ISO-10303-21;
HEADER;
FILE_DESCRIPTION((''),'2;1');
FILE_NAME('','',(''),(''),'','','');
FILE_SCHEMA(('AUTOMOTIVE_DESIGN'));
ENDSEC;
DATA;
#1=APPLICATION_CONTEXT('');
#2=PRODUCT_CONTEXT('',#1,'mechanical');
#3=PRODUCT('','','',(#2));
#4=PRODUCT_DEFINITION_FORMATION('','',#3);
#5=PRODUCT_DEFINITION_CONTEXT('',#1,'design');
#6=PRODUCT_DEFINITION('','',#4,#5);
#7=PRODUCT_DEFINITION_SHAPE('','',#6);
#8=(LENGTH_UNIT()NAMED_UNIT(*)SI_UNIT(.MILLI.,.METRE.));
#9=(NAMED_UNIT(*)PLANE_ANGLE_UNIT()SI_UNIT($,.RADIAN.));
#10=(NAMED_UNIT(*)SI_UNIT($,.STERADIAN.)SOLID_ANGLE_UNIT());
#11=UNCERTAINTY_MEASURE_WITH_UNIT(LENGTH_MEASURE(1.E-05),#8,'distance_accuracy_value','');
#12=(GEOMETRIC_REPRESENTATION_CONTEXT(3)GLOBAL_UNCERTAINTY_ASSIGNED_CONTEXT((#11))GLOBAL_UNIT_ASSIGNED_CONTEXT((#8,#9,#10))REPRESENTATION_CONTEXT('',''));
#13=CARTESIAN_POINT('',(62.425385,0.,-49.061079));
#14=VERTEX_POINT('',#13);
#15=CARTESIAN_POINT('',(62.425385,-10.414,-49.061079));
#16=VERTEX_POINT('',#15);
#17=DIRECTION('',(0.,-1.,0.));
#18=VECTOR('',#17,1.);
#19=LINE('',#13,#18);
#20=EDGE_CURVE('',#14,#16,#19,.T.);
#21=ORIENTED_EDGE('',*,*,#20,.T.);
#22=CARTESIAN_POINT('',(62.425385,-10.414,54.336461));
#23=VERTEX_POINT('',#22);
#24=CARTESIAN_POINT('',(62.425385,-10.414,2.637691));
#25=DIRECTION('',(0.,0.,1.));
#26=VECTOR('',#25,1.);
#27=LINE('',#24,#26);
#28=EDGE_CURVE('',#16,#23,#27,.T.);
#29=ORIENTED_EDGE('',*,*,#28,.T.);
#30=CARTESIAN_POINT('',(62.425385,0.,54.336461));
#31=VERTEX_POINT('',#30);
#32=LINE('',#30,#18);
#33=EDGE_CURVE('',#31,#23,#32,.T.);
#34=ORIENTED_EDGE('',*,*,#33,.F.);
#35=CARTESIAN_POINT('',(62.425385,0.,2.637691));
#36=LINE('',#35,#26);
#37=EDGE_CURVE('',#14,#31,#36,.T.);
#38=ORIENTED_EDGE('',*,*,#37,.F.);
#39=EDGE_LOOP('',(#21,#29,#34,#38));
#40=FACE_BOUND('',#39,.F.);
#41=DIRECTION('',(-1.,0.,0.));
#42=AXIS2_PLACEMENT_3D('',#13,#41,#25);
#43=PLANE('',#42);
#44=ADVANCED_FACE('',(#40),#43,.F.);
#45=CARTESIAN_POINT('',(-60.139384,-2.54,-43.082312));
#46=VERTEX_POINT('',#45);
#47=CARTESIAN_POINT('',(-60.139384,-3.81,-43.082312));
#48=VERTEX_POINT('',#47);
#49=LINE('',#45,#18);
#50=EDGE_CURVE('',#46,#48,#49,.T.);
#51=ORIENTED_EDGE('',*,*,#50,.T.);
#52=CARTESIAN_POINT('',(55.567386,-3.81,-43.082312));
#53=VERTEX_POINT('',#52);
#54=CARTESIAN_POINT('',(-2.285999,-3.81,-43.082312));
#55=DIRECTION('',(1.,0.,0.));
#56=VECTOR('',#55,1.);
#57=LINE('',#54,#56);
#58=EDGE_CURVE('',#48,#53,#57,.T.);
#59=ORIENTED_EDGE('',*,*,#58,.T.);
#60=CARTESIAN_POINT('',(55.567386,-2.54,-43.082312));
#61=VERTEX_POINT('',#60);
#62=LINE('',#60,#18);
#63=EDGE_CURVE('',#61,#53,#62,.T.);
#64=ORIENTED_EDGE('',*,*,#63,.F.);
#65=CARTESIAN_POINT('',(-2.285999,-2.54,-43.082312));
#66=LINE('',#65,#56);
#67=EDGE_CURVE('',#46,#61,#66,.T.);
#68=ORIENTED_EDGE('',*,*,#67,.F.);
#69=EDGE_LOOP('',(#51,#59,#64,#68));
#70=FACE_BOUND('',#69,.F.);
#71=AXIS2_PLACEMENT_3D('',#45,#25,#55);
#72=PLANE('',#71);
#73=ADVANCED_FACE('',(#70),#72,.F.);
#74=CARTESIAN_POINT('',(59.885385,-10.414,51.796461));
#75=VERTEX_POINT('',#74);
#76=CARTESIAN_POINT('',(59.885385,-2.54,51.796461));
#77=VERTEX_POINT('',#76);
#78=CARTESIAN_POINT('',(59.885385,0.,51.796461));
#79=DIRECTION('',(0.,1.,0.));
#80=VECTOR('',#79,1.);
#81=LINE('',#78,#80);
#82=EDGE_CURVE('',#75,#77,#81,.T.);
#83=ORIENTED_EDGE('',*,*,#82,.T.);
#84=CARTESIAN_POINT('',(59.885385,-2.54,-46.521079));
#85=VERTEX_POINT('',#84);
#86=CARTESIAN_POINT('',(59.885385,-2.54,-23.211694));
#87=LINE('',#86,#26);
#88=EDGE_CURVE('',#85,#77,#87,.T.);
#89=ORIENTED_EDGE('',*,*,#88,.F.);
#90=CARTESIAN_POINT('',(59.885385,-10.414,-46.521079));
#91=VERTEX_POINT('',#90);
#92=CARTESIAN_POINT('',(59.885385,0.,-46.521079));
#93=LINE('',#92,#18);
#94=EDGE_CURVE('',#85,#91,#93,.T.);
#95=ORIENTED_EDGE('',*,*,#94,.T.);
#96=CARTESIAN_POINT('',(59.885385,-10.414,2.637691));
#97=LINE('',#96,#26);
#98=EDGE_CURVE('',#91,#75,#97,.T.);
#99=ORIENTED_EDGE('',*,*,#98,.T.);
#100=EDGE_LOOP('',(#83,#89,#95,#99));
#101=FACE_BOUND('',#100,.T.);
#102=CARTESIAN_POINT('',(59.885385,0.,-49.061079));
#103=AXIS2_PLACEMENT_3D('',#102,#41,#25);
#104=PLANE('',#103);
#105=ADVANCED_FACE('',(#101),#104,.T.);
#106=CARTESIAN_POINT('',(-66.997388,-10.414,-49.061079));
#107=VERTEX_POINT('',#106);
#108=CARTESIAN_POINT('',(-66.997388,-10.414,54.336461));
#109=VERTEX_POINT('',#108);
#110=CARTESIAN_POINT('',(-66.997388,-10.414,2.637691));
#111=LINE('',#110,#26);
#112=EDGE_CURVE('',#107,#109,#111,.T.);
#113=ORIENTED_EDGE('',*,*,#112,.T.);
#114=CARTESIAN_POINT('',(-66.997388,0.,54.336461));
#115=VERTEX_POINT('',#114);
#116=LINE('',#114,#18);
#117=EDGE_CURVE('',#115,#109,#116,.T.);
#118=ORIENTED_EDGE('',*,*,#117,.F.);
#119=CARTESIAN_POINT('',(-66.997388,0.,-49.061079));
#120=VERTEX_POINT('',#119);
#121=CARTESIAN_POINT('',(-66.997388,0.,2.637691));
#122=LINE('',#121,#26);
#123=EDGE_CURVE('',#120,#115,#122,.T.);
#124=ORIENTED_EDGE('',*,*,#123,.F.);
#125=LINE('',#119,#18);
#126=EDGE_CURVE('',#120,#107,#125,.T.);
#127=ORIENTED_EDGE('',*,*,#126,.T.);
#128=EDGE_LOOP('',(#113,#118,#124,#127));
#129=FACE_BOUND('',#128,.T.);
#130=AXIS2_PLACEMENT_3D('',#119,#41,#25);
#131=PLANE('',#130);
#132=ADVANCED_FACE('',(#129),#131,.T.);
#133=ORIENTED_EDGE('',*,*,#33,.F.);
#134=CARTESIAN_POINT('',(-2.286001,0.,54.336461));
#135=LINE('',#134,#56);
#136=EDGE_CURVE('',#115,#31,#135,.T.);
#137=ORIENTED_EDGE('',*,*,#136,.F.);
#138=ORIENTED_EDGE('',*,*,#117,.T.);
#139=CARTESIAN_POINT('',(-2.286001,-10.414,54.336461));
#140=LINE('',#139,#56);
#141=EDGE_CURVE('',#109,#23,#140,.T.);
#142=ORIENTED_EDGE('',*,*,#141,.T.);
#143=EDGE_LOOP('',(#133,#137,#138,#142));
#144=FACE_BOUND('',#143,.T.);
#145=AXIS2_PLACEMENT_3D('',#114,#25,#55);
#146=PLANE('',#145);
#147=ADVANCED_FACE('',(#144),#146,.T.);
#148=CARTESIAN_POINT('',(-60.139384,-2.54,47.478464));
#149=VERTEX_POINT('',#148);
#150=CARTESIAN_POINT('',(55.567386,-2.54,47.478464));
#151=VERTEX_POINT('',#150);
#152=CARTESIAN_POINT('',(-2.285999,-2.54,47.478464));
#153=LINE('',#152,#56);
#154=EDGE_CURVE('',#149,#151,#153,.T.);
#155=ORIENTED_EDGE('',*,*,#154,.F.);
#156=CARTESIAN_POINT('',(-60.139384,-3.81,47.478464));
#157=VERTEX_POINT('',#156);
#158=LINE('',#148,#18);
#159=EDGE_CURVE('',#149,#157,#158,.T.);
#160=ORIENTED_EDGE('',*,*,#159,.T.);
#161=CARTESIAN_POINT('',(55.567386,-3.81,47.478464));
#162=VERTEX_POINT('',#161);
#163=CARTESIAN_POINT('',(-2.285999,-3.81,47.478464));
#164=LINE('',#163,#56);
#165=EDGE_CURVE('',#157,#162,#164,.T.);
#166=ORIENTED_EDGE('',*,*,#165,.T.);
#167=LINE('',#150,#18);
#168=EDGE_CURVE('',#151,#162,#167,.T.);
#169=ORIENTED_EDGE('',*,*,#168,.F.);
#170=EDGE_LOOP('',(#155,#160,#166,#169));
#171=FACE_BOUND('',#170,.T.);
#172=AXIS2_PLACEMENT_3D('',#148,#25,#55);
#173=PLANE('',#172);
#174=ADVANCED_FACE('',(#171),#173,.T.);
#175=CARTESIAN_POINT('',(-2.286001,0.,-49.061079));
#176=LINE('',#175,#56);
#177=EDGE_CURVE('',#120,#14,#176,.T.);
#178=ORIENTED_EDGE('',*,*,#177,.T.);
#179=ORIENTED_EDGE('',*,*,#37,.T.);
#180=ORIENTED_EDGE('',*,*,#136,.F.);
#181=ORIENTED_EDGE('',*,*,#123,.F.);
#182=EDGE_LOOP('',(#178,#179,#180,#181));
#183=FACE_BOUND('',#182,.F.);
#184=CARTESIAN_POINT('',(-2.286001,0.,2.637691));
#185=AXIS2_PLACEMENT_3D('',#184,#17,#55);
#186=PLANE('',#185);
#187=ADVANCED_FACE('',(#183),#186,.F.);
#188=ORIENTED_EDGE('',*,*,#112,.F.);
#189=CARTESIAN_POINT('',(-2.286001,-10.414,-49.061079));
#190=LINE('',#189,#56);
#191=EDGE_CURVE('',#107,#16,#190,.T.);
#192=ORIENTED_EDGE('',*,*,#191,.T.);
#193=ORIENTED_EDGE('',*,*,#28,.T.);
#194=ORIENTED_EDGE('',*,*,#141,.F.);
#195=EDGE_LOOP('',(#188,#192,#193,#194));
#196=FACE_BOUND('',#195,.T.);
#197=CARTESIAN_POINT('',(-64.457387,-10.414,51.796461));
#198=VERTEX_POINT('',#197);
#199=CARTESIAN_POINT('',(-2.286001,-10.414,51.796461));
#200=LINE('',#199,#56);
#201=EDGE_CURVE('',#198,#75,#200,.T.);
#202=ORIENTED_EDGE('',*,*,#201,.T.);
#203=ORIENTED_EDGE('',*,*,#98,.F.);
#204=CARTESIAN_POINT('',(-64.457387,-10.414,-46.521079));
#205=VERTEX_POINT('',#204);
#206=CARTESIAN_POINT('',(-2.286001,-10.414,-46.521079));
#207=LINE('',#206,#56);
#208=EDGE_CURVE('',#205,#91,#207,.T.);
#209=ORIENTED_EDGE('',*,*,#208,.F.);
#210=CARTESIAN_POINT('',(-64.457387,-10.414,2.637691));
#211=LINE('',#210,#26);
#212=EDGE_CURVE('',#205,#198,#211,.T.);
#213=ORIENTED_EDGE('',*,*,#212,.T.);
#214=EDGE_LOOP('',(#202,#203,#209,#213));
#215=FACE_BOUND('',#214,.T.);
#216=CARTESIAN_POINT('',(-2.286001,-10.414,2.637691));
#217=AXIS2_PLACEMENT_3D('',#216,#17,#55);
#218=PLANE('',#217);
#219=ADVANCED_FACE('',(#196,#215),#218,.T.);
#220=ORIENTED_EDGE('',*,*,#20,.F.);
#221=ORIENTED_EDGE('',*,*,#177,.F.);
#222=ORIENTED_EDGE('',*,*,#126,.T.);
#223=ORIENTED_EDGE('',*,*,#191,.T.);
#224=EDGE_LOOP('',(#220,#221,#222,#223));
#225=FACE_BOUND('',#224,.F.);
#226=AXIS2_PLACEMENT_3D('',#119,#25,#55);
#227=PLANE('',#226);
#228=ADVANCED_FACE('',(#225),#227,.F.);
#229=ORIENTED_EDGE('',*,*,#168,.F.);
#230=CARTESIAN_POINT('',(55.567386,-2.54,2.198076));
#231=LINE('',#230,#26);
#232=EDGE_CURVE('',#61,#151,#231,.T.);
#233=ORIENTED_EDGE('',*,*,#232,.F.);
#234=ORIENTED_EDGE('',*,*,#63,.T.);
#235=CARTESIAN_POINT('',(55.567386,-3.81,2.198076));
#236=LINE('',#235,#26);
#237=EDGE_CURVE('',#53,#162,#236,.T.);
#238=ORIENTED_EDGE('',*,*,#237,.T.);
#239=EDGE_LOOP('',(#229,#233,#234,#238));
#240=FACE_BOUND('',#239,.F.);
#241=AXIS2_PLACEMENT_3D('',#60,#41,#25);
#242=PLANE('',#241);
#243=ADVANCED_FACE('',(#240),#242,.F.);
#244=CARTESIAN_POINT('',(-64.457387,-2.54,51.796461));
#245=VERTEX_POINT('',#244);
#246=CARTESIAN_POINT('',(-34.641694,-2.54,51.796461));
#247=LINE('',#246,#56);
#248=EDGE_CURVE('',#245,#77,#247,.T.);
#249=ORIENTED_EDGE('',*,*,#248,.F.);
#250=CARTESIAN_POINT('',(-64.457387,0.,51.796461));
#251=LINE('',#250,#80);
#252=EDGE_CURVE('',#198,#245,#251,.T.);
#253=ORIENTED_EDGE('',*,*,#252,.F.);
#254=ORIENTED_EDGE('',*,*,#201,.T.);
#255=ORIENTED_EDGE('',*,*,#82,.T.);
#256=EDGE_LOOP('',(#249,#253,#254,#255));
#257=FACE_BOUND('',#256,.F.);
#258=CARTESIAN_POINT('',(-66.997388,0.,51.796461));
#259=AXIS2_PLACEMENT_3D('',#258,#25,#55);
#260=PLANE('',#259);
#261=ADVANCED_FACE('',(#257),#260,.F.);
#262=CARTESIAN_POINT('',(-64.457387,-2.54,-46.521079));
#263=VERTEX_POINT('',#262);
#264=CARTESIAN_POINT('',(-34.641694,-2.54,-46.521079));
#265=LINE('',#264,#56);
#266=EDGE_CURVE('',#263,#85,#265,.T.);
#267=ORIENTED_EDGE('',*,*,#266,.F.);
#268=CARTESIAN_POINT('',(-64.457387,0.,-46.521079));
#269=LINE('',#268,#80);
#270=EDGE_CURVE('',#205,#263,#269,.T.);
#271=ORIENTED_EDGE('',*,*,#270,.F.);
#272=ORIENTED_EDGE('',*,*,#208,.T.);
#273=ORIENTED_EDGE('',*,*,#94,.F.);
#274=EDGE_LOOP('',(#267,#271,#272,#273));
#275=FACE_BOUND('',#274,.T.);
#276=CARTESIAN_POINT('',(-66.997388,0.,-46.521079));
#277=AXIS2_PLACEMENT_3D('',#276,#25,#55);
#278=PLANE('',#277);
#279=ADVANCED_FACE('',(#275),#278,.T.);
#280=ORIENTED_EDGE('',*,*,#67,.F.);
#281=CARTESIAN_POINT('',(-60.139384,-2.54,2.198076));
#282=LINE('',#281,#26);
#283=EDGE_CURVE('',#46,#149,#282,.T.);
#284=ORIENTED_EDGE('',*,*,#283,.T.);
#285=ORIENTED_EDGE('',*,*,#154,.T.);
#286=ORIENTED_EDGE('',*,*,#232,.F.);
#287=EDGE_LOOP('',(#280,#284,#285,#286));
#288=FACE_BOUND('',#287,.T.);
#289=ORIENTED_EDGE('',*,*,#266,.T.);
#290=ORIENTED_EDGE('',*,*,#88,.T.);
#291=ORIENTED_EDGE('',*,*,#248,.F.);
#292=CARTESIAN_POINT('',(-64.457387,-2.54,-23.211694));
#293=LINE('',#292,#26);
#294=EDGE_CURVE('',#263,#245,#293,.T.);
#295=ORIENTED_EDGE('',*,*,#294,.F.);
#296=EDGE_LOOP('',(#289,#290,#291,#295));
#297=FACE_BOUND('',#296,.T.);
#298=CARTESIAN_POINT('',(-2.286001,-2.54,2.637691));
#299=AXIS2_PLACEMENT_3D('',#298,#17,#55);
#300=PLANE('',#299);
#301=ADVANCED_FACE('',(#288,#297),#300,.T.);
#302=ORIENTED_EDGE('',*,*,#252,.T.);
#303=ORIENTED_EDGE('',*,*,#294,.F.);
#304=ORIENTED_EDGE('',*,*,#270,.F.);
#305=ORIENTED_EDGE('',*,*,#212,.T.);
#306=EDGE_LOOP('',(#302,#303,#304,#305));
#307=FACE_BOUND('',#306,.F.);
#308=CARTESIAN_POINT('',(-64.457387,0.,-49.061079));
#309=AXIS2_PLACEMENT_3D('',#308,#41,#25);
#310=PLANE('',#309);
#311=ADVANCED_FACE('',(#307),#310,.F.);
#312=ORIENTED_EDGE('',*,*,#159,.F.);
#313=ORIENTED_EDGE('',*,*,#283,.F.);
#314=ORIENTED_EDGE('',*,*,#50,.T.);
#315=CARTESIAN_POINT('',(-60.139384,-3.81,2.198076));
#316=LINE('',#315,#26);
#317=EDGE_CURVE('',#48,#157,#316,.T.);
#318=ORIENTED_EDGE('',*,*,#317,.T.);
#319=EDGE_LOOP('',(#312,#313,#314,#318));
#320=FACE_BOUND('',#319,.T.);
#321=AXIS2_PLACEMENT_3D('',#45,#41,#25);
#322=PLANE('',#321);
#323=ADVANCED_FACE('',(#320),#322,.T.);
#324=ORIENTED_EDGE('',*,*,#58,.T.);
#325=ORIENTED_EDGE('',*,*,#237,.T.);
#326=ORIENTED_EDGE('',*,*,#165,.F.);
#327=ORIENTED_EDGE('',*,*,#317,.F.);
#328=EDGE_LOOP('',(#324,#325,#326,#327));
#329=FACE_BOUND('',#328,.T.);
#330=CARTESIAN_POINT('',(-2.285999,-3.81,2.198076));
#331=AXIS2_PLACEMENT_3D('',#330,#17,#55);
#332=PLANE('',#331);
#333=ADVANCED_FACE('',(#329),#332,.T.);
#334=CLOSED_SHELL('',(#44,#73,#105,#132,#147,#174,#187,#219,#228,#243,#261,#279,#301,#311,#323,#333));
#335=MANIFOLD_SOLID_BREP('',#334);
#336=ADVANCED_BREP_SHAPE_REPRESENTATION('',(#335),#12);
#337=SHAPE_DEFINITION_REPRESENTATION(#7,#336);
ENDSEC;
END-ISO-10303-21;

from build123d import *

# Parameters (mm, degrees)
F0_W     = 129.422773
F0_H     = 103.397541
F1_DEPTH = 10.414
F2_T     = -2.54
F3_W     = 115.706771
F3_H     = 90.560776
F4_DEPTH = 1.27


with BuildPart() as f1:
    # F0 (on Front) → F1 (new body)
    with BuildSketch(Plane.XZ):
        with Locations((-2.286001, 2.637691)):
            Rectangle(F0_W, F0_H)
    extrude(amount=F1_DEPTH)

    # F2
    f2_openings = [f1.faces().sort_by_distance(p)[0] for p in [
        (-2.286, -10.414, 2.637692),
    ]]
    offset(amount=F2_T, openings=f2_openings)

    # F3 (on face) → F4 (join)
    with BuildSketch(Plane.XZ.offset(2.54)):
        with Locations((-2.285999, 2.198076)):
            Rectangle(F3_W, F3_H)
    extrude(amount=F4_DEPTH)


solid = f1.part
